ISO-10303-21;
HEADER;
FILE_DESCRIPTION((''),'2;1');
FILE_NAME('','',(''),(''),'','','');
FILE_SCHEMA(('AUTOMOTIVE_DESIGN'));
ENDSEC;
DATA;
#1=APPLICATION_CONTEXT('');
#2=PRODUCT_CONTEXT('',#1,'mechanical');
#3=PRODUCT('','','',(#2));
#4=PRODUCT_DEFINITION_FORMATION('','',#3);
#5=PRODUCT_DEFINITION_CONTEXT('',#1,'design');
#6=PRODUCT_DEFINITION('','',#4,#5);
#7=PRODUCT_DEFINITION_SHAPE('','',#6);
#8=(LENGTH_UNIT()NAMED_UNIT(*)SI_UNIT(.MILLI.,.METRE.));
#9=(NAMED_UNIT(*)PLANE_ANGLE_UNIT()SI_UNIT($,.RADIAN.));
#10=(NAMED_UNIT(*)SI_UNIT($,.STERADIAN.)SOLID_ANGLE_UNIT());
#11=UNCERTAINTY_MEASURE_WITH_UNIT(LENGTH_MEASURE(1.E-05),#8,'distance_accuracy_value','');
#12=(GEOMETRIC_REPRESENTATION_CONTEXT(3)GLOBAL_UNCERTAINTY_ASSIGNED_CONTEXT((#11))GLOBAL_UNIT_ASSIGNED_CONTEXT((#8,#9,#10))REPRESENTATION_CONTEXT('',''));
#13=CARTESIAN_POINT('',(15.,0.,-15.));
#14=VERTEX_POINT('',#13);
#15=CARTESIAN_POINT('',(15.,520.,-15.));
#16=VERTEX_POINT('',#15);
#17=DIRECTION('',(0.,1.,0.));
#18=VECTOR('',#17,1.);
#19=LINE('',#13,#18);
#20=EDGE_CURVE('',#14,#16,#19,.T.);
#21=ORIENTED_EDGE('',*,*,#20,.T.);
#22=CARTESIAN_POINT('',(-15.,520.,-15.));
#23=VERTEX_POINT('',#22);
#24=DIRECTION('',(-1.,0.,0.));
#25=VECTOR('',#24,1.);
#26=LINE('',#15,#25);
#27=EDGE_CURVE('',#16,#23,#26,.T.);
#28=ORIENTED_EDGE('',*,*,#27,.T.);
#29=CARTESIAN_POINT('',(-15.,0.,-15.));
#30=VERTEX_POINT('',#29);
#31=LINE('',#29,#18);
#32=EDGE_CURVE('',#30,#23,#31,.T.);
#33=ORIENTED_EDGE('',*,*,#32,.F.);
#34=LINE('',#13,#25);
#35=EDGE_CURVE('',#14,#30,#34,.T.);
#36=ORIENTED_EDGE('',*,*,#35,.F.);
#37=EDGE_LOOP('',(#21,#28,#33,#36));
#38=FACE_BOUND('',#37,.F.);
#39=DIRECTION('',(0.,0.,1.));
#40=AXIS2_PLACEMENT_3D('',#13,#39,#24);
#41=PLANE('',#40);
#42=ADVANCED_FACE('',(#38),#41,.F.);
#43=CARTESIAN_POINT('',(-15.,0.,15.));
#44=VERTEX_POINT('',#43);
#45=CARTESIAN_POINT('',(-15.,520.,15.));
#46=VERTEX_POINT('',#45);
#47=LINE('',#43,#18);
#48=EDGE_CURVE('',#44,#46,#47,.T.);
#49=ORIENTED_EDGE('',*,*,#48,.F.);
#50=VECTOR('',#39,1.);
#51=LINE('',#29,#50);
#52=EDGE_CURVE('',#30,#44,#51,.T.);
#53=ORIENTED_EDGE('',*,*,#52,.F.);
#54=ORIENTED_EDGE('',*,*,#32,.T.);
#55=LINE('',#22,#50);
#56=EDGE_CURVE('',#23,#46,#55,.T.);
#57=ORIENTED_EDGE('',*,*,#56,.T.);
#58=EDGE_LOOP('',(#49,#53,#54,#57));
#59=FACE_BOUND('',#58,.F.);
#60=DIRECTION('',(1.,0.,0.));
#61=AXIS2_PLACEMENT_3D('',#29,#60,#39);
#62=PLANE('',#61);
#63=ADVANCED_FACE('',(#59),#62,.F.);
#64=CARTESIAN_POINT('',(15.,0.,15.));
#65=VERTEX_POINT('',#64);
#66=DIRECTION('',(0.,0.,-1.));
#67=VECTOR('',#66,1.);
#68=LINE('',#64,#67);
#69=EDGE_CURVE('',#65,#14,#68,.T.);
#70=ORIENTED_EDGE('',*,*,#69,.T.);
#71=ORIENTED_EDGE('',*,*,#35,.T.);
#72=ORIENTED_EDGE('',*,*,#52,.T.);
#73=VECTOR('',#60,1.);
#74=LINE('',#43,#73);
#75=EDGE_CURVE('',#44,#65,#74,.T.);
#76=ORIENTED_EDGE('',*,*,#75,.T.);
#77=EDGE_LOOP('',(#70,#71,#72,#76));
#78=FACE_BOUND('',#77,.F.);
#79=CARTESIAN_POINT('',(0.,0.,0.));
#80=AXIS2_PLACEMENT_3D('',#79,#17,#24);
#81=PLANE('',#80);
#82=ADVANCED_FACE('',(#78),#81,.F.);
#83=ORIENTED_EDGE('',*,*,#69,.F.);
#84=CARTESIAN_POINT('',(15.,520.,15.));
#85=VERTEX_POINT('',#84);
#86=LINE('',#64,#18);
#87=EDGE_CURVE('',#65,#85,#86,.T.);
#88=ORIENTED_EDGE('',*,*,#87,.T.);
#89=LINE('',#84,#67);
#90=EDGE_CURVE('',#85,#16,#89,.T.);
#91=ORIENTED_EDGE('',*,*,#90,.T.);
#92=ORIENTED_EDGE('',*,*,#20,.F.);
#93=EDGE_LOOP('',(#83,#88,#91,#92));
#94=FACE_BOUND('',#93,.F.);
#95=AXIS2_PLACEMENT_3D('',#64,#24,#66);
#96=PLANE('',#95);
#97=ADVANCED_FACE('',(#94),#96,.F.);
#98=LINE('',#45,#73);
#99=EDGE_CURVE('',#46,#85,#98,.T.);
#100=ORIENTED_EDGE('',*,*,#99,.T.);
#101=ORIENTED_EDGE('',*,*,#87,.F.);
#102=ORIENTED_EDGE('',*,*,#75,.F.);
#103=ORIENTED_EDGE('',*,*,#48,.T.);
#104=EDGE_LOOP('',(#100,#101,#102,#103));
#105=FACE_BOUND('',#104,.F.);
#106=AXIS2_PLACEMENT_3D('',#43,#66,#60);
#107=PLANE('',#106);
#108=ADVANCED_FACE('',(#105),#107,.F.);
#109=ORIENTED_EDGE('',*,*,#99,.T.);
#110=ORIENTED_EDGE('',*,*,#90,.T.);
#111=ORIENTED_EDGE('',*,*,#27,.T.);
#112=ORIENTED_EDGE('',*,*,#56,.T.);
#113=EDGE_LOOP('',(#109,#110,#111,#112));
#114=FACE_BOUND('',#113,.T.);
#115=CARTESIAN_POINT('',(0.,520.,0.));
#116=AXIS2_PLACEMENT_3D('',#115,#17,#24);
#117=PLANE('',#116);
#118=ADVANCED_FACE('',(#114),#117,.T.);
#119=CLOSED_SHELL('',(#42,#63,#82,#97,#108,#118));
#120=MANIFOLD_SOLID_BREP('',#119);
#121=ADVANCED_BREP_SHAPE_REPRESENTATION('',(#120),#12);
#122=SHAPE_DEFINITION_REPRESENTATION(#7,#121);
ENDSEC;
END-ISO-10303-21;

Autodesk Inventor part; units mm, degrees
ref_plane "YZ Plane" through (0, 0, 0) normal (1, 0, 0) x (0, 1, 0)
ref_plane "XZ Plane" through (0, 0, 0) normal (0, 1, 0) x (-1, 0, 0)
ref_plane "XY Plane" through (0, 0, 0) normal (0, 0, 1) x (1, 0, 0)
sketch "Sketch1" plane through (0, 0, 0) normal (0, 1, 0) x (-1, 0, 0)
  line L0 (-15, -15) -> (15, -15)
  line L1 (15, -15) -> (15, 15)
  line L2 (15, 15) -> (-15, 15)
  line L3 (-15, 15) -> (-15, -15)
  line L4 (-15, -15) -> (15, 15) construction
  line L5 (15, -15) -> (-15, 15) construction
  point P0 (0, 0)
  dimension "d0" = 30
  dimension "d1" = 30
extrude "Extrusion1" add sketch "Sketch1" along normal blind 520
properties part number "listwa1"
